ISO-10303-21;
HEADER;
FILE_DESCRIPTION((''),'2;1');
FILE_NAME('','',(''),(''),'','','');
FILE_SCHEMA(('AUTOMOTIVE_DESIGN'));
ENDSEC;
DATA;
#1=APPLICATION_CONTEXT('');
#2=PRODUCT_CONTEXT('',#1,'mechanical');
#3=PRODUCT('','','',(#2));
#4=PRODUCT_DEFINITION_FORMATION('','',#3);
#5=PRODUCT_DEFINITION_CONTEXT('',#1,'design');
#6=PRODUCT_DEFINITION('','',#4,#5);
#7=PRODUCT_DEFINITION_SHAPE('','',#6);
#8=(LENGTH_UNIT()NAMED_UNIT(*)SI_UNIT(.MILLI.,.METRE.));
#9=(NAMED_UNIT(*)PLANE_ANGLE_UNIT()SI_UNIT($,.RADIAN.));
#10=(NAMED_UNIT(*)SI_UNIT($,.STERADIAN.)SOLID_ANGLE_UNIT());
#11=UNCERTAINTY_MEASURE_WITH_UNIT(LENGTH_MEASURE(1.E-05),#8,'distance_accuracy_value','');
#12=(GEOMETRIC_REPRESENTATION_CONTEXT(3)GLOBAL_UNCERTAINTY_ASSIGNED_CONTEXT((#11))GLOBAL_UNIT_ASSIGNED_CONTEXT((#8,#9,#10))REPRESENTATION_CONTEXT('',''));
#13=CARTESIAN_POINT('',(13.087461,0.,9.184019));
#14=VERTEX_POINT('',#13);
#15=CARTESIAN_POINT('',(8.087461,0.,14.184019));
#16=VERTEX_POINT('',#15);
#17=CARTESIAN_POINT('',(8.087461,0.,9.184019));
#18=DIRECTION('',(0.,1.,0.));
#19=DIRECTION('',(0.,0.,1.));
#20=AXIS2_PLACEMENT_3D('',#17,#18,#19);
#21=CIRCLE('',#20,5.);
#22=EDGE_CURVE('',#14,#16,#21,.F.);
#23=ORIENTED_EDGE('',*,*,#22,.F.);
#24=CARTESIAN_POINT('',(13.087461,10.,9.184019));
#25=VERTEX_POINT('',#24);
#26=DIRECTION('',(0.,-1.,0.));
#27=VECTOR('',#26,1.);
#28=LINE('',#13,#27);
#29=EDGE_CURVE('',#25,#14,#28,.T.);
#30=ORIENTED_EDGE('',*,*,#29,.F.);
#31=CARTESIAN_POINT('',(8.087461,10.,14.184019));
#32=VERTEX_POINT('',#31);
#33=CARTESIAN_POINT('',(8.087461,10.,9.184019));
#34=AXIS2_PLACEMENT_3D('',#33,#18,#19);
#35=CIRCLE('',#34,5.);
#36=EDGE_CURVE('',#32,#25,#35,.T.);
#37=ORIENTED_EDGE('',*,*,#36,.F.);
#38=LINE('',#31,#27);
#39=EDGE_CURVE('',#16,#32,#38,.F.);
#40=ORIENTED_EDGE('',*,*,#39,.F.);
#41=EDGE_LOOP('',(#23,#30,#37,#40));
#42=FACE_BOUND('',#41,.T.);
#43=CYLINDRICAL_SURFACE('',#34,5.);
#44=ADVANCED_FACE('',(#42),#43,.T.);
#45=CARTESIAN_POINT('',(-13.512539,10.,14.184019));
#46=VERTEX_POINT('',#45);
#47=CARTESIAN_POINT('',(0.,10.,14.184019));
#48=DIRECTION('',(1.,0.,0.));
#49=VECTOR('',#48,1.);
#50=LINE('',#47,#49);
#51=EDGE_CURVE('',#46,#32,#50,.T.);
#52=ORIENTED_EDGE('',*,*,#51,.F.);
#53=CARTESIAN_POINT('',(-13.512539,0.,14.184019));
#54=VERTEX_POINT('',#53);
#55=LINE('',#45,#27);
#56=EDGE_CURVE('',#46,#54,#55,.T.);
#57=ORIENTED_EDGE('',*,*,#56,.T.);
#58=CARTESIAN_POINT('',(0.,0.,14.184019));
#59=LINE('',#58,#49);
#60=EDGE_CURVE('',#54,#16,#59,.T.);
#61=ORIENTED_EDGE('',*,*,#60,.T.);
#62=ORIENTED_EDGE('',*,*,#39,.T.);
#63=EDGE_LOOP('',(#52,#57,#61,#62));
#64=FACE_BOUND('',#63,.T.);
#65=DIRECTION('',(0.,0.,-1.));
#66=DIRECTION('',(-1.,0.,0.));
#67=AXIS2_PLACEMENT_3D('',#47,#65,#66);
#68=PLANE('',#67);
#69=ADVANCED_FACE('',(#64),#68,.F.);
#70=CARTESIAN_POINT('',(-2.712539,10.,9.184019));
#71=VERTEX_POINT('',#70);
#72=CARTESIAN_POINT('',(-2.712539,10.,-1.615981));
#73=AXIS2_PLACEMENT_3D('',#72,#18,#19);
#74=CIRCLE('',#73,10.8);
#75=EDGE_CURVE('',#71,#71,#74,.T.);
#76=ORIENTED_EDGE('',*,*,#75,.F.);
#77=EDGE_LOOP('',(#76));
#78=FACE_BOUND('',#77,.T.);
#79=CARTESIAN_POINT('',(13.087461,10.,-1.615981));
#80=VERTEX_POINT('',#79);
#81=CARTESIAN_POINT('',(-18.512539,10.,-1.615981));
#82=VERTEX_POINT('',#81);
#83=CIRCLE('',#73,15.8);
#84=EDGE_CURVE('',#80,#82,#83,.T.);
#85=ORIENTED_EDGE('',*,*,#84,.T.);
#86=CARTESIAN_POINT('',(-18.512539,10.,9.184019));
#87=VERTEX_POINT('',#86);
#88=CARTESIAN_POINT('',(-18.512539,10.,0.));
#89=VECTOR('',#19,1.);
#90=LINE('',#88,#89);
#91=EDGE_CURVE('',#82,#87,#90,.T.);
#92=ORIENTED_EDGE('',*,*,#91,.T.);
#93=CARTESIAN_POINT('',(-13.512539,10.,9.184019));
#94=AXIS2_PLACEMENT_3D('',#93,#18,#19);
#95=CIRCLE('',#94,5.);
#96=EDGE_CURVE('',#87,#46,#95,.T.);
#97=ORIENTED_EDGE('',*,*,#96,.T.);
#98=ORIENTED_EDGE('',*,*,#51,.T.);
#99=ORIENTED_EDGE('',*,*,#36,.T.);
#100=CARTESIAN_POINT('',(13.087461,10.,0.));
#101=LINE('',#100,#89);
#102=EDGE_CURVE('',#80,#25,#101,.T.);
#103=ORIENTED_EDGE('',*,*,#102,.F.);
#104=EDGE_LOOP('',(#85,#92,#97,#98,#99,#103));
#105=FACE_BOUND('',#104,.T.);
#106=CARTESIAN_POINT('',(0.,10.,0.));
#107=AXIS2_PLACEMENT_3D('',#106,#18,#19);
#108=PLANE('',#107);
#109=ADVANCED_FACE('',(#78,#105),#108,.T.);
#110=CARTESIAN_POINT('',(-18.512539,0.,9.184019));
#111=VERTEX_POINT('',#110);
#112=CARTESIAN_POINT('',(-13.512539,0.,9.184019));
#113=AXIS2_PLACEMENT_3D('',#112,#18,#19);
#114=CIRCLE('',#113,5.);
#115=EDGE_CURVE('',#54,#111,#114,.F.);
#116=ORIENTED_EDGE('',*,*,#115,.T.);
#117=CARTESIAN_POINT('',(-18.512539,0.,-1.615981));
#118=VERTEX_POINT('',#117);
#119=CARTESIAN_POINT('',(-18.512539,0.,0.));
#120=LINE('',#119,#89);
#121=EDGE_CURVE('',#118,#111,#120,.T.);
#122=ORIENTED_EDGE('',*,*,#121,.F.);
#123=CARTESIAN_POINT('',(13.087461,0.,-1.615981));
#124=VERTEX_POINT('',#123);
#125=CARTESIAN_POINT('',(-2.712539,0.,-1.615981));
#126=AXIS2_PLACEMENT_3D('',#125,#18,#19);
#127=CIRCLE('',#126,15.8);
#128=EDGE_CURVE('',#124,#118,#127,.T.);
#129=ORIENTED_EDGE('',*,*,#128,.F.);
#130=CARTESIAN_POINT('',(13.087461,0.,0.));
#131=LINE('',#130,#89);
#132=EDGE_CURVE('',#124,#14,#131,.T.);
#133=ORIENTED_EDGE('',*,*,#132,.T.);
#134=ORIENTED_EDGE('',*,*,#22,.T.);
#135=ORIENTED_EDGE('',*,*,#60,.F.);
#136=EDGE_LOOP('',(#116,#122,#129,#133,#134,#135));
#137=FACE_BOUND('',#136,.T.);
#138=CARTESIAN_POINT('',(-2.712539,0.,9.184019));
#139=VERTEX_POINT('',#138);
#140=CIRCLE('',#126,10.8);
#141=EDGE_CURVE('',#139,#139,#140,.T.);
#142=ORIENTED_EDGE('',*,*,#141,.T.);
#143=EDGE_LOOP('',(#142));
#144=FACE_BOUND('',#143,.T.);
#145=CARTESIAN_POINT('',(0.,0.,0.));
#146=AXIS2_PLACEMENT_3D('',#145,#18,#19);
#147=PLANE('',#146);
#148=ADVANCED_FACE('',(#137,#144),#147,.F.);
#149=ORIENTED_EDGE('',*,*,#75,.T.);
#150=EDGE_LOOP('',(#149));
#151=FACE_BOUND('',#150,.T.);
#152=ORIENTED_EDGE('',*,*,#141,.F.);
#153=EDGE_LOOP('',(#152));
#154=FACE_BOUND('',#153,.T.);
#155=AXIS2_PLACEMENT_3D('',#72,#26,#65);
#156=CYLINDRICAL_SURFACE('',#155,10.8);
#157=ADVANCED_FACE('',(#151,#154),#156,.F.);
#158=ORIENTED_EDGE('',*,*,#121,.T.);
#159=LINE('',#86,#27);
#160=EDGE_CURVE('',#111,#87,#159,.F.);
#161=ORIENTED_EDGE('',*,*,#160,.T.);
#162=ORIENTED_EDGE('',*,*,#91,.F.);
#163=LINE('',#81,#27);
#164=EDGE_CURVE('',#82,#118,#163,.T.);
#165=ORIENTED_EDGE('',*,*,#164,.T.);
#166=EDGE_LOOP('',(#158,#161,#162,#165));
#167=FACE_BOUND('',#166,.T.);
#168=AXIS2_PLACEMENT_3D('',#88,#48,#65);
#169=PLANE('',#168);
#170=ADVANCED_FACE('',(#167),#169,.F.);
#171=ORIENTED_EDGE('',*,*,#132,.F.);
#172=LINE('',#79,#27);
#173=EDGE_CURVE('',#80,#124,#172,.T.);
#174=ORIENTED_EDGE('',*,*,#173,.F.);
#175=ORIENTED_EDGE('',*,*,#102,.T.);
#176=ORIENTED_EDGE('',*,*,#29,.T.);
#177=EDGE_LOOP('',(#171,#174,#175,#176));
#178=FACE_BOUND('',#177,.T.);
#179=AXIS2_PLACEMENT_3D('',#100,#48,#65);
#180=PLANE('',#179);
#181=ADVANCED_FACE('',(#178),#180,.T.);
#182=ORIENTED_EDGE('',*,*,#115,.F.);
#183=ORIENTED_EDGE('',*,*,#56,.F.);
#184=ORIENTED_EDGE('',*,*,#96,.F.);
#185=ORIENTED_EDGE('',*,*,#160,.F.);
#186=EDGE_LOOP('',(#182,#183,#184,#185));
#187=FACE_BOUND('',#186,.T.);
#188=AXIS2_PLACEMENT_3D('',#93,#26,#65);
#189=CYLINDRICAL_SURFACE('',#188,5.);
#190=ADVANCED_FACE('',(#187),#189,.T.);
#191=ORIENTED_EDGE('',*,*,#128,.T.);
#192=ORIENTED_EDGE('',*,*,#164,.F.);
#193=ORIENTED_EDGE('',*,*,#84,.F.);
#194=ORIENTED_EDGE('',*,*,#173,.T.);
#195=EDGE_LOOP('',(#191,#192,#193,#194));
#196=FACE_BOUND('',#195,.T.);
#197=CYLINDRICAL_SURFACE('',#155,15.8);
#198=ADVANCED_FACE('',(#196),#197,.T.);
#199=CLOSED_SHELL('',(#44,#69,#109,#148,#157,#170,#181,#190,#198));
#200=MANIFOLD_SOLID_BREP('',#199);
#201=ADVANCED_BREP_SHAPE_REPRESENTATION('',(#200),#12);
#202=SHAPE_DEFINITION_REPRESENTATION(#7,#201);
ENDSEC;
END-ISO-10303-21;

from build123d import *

# Parameters (mm, degrees)
BOSS_EXTRUDE2_DEPTH = 10
FILLET1_R           = 5


with BuildPart() as part:
    # Sketch1 → Boss-Extrude2 (new body)
    with BuildSketch(Plane(origin=(0, 0, 0), x_dir=(1, 0, 0), z_dir=(0, 1, 0))):
        with BuildLine():
            ThreePointArc((-13.512538708, 1.615980507), (-2.712538708, 12.415980507), (8.087461292, 1.615980507))
            Line((8.087461292, 1.615980507), (13.087461292, 1.615980507))
            ThreePointArc((13.087461292, 1.615980507), (-2.712538708, 17.415980507), (-18.512538708, 1.615980507))
            Line((-18.512538708, 1.615980507), (-13.512538708, 1.615980507))
        make_face()
        with BuildLine():
            Line((13.087461292, 1.615980507), (8.087461292, 1.615980507))
            ThreePointArc((8.087461292, 1.615980507), (-2.712538708, -9.184019493), (-13.512538708, 1.615980507))
            Line((-13.512538708, 1.615980507), (-18.512538708, 1.615980507))
            ThreePointArc((-18.512538708, 1.615980507), (-13.884825857, -9.55630663), (-2.712538726, -14.184019493))
            ThreePointArc((-2.712538726, -14.184019493), (8.459748429, -9.556306643), (13.087461292, 1.615980507))
        make_face()
        with BuildLine():
            Line((13.087461292, -14.184019493), (13.087461292, 1.615980507))
            ThreePointArc((13.087461292, 1.615980507), (8.459748429, -9.556306643), (-2.712538726, -14.184019493))
            Line((-2.712538726, -14.184019493), (13.087461292, -14.184019493))
        make_face()
        with BuildLine():
            ThreePointArc((-2.712538726, -14.184019493), (-13.884825857, -9.55630663), (-18.512538708, 1.615980507))
            Line((-18.512538708, 1.615980507), (-18.512538708, -14.184019493))
            Line((-18.512538708, -14.184019493), (-2.712538726, -14.184019493))
        make_face()
    extrude(amount=BOSS_EXTRUDE2_DEPTH)

    # Fillet1
    fillet1_edges = [part.edges().sort_by_distance(p)[0] for p in [
        (13.087461292, 5, 14.184019493),
        (-18.512538708, 5, 14.184019493),
    ]]
    fillet(fillet1_edges, radius=FILLET1_R)


solid = part.part
